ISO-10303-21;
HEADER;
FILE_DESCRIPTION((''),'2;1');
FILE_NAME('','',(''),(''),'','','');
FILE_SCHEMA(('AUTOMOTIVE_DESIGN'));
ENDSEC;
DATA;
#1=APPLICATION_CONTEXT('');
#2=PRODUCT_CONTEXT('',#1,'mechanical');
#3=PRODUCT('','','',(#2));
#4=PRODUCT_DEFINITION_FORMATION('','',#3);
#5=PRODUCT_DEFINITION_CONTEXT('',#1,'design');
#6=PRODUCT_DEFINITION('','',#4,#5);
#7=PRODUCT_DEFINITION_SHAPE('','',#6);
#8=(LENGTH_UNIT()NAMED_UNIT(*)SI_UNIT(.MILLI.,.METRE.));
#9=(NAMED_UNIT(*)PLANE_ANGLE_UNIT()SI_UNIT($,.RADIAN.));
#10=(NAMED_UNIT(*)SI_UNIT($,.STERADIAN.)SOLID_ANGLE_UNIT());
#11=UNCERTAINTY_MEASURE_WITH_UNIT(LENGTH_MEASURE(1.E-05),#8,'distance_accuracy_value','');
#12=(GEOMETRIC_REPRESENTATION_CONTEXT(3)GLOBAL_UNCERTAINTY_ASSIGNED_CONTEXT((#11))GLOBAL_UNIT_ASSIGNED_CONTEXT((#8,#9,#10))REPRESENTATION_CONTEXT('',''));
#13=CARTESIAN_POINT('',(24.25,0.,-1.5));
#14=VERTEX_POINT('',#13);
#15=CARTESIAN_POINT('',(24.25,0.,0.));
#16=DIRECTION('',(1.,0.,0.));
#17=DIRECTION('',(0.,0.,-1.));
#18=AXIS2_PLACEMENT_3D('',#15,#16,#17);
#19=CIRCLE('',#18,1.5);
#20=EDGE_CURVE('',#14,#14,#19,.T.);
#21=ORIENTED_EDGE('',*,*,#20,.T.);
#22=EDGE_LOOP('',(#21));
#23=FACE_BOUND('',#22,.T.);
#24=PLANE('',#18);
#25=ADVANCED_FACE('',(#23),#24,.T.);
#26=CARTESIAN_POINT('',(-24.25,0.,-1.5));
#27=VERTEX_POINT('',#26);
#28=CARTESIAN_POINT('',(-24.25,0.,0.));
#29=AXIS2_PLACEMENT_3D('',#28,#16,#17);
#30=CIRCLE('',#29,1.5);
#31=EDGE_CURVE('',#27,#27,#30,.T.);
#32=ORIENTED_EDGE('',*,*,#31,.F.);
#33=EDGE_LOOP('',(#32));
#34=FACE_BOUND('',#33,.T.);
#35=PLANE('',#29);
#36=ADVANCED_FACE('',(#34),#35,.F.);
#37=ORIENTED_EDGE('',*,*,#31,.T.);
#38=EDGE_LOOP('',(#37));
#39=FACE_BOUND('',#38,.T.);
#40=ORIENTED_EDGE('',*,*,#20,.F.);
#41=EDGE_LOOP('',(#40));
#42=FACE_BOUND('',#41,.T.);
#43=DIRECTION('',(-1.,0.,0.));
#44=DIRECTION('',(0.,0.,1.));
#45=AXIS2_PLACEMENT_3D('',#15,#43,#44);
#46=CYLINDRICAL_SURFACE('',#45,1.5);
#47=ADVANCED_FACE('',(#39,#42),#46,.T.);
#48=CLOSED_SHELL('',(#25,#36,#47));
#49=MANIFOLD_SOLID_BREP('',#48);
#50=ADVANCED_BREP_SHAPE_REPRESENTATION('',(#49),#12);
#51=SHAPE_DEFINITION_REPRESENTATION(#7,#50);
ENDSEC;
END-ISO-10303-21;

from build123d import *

# Parameters (mm, degrees)
SKETCH1_R           = 1.5
BOSS_EXTRUDE1_DEPTH = 24.25


with BuildPart() as part:
    # Sketch1 → Boss-Extrude1 (new body, symmetric)
    with BuildSketch(Plane(origin=(0, 0, 0), x_dir=(0, 0, -1), z_dir=(1, 0, 0))):
        Circle(SKETCH1_R)
    extrude(amount=BOSS_EXTRUDE1_DEPTH, both=True)


solid = part.part
